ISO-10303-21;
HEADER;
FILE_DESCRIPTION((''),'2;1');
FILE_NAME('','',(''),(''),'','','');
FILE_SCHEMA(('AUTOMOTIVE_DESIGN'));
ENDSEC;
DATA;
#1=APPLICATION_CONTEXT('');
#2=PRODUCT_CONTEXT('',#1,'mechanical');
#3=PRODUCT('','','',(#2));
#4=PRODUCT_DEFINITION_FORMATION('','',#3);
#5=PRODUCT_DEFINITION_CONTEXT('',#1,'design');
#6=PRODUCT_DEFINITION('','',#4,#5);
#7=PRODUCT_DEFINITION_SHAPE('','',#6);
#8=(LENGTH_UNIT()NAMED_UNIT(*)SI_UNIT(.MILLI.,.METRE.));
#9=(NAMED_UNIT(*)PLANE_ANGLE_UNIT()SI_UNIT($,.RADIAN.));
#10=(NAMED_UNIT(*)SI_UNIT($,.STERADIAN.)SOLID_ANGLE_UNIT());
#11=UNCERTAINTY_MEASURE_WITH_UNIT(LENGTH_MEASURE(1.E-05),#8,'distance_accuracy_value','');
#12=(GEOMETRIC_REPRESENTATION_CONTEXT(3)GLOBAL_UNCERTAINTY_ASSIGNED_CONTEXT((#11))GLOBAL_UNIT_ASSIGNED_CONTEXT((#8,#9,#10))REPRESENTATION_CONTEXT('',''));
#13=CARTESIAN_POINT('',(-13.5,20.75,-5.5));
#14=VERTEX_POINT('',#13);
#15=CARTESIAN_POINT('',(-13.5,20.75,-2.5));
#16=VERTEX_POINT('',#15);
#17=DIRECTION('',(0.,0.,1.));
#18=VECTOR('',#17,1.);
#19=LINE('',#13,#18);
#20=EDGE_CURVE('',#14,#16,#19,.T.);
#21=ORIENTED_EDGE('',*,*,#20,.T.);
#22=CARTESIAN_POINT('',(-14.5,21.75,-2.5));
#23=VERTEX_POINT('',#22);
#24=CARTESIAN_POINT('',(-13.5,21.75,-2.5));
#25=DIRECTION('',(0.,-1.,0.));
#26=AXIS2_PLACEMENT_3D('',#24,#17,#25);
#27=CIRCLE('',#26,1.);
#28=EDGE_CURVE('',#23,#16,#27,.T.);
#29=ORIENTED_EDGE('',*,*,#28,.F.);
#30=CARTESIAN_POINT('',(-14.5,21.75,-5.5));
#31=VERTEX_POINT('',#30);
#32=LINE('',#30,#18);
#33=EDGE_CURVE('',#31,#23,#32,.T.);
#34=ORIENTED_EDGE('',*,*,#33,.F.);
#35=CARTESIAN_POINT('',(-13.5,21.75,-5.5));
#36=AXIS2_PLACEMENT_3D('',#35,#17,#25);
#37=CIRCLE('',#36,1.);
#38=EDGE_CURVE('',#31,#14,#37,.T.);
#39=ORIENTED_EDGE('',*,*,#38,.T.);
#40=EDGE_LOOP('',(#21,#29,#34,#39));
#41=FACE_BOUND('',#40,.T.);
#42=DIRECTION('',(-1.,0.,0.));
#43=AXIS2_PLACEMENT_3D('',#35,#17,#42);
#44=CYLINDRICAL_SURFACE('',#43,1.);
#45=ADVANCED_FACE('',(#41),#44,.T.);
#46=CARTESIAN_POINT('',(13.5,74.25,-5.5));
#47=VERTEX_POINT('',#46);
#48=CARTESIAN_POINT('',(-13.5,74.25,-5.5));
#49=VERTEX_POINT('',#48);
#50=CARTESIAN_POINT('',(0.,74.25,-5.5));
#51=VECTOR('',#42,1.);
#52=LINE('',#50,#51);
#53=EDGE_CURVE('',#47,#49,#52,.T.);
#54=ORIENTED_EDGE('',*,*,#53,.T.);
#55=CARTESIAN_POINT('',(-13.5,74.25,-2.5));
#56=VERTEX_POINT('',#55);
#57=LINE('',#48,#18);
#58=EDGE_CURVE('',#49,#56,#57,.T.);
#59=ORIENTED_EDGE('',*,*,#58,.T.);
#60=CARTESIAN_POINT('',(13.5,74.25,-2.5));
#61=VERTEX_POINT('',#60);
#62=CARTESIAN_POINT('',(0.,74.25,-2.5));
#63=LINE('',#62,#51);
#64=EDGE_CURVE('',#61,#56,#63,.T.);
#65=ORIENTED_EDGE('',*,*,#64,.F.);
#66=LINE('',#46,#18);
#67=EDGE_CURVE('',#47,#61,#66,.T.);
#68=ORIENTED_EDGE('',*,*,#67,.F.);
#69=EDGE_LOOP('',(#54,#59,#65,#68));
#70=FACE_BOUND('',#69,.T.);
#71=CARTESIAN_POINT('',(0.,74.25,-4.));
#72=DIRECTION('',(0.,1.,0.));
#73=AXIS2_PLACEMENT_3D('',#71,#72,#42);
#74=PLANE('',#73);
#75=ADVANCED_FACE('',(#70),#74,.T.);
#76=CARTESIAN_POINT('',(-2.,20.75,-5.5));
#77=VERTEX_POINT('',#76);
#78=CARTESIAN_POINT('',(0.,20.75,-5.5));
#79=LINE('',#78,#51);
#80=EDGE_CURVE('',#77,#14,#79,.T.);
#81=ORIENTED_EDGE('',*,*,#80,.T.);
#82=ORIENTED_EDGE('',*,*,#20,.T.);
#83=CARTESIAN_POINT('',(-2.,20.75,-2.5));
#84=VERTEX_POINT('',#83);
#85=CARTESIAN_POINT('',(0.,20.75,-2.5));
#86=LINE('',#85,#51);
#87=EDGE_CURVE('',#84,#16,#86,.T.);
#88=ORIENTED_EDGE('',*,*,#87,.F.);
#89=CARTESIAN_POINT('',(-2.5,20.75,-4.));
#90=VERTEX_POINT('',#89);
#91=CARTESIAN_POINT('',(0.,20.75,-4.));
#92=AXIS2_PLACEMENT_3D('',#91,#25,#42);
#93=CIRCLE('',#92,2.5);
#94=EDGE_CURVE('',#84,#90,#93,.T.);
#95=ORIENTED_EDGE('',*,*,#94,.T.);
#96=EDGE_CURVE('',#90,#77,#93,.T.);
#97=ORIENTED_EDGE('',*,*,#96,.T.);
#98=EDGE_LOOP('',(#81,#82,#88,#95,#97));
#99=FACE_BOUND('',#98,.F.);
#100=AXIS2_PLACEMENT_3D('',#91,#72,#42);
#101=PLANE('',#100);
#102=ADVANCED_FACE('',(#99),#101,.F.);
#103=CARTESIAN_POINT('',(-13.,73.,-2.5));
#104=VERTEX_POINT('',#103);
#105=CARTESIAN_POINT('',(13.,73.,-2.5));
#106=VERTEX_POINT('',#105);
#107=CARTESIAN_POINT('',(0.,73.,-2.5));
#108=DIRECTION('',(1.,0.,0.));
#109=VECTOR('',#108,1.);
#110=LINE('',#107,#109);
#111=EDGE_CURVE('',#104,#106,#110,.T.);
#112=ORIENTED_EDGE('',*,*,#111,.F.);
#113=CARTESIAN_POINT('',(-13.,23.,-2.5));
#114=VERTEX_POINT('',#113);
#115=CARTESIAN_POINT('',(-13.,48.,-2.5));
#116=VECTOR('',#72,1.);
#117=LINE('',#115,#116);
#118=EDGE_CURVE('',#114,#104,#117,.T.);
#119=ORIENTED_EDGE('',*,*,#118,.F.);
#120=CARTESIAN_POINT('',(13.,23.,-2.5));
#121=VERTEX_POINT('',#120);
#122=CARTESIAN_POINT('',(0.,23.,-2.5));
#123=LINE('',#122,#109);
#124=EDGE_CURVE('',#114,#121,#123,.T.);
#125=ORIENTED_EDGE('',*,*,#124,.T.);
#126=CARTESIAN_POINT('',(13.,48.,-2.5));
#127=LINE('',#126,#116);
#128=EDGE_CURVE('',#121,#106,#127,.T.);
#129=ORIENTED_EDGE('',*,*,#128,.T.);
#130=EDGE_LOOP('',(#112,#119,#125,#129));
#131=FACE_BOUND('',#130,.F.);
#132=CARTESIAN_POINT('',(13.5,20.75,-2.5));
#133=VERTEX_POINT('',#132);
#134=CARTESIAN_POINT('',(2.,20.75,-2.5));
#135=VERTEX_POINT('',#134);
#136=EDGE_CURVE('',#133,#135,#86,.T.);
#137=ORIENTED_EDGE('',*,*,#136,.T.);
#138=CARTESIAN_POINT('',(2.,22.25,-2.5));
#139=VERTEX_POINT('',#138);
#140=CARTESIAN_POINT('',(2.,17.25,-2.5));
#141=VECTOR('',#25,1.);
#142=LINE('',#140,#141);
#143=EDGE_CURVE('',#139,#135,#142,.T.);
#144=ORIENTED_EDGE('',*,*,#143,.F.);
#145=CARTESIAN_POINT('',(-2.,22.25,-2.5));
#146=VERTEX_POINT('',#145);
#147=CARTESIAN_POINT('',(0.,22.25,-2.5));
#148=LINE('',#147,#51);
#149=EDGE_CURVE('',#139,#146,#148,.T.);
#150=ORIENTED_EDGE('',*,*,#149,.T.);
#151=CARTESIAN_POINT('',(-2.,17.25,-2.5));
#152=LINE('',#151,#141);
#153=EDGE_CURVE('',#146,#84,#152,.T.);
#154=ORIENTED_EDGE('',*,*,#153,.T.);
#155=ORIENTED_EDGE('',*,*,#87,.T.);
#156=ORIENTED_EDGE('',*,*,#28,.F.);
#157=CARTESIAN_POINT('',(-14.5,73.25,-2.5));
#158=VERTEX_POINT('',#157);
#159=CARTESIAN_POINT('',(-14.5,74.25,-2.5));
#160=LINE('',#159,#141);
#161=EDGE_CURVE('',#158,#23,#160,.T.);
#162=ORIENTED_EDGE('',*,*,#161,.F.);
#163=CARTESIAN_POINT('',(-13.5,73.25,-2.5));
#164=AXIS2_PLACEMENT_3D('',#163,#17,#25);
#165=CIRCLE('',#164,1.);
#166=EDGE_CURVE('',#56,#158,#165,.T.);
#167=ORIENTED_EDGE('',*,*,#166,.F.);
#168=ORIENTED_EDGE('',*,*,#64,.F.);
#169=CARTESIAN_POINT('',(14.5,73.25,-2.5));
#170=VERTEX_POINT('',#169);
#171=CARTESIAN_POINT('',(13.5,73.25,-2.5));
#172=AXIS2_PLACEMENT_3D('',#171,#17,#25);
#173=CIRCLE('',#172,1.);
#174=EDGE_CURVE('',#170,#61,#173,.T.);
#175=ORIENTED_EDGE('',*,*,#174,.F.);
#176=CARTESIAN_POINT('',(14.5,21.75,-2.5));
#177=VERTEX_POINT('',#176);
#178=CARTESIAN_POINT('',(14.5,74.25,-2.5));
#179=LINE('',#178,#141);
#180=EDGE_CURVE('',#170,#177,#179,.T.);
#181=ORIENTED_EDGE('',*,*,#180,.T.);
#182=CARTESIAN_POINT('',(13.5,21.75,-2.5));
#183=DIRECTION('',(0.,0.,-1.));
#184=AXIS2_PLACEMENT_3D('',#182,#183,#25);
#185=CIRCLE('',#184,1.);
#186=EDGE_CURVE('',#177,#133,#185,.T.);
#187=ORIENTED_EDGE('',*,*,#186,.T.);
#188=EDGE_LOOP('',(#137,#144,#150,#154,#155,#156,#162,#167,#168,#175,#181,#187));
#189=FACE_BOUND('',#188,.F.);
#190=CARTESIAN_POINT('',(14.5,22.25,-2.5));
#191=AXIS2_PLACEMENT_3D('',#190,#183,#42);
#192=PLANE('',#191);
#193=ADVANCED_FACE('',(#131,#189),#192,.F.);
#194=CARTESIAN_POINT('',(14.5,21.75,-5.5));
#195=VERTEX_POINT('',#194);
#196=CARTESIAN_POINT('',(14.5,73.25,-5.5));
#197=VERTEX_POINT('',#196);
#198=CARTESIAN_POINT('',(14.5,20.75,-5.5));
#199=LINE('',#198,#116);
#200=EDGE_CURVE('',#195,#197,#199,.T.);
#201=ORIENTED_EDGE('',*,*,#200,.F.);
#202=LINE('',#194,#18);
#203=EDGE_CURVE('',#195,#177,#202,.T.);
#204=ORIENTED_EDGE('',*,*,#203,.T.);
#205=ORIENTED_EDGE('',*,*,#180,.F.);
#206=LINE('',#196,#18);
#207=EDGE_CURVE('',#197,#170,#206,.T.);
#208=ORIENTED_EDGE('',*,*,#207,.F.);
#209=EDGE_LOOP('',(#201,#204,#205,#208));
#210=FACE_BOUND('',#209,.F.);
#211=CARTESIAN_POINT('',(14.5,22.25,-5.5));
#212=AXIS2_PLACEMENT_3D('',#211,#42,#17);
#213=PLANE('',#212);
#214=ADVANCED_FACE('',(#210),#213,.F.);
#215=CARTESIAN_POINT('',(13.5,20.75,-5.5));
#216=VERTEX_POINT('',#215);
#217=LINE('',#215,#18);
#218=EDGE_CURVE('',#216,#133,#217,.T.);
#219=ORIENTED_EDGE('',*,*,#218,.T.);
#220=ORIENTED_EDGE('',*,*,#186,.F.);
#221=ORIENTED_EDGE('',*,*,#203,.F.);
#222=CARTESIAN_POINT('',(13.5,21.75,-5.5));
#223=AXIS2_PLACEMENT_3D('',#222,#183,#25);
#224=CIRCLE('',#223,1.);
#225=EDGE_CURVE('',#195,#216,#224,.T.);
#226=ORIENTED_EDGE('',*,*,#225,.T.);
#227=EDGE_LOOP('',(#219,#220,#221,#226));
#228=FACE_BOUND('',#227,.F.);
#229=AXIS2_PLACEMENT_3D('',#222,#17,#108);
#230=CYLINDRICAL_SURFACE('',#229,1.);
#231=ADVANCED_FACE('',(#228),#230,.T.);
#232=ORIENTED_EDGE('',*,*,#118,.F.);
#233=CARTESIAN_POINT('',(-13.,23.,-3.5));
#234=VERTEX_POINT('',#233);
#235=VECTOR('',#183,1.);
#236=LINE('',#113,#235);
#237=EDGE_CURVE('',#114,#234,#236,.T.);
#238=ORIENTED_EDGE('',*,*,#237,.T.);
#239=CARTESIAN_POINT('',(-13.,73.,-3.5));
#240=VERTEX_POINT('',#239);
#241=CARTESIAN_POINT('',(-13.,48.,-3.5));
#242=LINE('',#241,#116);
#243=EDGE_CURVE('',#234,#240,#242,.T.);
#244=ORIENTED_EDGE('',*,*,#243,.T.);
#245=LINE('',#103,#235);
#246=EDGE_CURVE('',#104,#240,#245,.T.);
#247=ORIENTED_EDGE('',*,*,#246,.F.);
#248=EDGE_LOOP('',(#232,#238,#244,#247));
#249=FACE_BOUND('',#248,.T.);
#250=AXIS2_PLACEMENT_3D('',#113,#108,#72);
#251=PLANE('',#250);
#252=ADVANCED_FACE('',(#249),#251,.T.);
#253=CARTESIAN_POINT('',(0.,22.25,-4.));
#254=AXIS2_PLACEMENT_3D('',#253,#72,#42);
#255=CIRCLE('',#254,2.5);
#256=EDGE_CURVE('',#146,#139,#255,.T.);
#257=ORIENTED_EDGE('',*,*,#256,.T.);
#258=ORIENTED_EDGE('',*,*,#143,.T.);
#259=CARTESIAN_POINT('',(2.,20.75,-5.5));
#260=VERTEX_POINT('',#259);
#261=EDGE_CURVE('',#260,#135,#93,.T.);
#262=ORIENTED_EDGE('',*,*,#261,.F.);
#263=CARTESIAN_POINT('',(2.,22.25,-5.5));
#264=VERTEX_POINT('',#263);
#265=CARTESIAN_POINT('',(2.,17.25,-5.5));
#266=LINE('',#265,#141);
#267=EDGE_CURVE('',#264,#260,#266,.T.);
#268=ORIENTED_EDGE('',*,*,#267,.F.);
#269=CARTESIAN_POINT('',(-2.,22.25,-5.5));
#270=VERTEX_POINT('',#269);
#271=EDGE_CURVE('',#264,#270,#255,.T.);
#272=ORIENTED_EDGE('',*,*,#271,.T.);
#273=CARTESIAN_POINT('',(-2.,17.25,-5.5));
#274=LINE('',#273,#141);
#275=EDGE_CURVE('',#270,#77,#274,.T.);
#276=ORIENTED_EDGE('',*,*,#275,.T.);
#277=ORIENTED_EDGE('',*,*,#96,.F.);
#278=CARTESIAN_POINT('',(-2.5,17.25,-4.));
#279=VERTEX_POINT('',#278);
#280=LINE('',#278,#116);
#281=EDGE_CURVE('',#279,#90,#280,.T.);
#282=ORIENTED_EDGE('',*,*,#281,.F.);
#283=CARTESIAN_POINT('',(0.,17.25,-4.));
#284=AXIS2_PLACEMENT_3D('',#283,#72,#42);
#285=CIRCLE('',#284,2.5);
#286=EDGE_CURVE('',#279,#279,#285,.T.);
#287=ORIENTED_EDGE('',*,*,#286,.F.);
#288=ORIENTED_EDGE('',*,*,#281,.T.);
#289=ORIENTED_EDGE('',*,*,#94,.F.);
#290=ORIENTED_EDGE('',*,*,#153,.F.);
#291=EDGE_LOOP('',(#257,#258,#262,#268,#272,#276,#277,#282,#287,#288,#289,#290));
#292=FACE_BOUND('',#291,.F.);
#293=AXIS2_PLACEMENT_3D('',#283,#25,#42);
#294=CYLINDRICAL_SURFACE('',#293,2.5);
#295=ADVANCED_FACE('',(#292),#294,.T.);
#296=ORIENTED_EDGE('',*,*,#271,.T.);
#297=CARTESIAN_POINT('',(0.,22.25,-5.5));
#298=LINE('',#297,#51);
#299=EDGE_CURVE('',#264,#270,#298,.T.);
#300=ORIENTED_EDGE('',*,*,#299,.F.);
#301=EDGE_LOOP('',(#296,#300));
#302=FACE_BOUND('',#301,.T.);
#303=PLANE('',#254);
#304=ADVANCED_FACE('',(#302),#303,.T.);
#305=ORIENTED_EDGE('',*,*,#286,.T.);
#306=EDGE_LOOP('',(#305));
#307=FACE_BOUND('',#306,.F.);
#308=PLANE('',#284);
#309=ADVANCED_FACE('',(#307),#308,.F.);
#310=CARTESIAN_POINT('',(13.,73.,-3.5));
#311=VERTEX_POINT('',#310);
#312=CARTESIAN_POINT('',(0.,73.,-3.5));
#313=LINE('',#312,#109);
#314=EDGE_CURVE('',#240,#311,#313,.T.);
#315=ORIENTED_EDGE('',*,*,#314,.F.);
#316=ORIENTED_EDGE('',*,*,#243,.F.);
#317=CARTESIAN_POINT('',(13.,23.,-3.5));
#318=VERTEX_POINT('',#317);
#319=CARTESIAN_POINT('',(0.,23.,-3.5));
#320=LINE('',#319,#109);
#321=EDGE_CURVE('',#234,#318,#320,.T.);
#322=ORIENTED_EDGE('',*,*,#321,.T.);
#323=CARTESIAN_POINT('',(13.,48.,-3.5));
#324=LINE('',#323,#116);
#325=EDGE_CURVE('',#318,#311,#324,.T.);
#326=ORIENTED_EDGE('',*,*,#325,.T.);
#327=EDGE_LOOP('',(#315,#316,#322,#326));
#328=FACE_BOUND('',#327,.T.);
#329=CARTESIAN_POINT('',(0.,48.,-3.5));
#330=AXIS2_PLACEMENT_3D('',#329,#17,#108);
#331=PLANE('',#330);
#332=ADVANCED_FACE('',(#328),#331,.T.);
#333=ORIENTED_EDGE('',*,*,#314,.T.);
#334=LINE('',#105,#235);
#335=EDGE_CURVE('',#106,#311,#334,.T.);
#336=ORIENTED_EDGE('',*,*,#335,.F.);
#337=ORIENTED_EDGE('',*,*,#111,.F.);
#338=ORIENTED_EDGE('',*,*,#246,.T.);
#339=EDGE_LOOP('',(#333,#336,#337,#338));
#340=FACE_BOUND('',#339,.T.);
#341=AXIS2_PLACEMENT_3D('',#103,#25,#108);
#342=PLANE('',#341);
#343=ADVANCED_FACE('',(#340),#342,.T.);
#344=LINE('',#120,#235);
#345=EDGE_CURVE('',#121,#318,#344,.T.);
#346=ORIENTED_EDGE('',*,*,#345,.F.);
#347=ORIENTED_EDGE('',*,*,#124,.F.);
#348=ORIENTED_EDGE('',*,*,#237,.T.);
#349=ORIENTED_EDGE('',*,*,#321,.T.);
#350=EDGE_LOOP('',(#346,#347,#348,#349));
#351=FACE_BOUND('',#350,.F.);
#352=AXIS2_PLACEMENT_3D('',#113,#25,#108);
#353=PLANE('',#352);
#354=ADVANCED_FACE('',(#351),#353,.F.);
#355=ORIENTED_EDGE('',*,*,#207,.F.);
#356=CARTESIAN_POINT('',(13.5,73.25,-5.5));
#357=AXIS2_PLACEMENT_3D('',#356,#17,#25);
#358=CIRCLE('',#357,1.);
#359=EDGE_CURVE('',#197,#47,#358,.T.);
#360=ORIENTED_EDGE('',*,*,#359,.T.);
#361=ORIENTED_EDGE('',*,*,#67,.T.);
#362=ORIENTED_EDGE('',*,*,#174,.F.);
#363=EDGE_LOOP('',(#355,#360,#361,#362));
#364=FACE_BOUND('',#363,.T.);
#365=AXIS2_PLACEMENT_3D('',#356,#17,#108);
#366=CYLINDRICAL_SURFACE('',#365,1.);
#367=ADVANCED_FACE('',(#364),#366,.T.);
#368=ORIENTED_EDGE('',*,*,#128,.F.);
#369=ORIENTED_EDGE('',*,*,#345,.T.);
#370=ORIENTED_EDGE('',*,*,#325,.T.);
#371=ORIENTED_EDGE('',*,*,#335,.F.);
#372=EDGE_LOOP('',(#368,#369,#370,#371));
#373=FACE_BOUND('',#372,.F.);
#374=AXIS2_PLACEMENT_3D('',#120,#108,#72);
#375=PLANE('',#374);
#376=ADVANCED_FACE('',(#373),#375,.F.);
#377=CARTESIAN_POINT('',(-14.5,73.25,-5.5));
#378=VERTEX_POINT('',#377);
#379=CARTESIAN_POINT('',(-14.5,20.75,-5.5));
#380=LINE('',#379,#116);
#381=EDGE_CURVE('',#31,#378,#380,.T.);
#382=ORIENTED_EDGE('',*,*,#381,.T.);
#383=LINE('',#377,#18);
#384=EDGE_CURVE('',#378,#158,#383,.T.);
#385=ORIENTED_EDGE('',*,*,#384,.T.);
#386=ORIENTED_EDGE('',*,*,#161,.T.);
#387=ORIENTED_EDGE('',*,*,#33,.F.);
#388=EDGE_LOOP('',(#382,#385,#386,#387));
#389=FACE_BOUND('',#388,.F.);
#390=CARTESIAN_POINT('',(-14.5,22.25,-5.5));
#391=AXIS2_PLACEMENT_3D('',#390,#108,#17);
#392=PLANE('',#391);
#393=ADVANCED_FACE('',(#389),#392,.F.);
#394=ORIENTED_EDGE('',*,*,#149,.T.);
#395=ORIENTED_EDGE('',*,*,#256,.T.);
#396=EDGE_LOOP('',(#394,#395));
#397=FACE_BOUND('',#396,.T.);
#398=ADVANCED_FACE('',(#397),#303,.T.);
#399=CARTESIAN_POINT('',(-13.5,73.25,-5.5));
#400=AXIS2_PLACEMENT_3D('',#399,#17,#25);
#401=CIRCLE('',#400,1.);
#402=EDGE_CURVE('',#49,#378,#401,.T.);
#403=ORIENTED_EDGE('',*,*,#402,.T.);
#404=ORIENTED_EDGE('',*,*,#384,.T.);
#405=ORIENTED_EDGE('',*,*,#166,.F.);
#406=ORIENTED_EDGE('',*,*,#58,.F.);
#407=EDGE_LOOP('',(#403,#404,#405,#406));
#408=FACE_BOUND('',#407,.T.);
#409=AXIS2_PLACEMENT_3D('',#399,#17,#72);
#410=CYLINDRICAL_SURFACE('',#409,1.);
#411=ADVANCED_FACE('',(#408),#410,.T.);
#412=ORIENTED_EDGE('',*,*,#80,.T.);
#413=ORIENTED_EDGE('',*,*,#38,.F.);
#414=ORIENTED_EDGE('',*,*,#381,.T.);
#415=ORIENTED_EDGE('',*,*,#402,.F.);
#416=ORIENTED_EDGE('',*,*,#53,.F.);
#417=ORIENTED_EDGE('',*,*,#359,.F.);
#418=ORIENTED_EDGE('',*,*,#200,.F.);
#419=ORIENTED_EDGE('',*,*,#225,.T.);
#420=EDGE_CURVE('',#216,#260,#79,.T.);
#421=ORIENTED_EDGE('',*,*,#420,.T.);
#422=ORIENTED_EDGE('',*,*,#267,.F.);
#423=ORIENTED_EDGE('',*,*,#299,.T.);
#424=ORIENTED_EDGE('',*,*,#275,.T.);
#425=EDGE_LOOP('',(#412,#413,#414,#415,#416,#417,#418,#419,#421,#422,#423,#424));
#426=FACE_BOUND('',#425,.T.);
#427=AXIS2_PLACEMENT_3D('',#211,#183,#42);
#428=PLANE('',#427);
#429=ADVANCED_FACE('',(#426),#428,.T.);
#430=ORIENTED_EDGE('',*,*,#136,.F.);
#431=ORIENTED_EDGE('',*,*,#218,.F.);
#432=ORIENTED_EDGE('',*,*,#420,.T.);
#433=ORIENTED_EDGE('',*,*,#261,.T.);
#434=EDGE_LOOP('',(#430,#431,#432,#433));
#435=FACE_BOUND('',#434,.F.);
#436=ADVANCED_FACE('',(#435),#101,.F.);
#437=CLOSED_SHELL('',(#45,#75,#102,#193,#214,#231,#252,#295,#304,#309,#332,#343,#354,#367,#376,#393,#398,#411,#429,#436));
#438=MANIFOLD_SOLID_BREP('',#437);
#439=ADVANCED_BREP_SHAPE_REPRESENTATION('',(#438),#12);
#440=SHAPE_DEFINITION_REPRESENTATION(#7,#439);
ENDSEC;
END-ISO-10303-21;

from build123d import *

# Parameters (mm, degrees)
SKETCH007_R       = 2.5
PAD006_DEPTH      = 5
SKETCH008_W       = 29
SKETCH008_H       = 3
PAD007_DEPTH      = 52
PAD007_DEPTH_BACK = 1.5
FILLET_R          = 1
SKETCH010_W       = 26
SKETCH010_H       = 50
POCKET001_DEPTH   = 1


with BuildPart() as part:
    # Sketch007 (on Face1 of CopyPad001) → Pad006 (new body)
    with BuildSketch(Plane(origin=(0, 17.25, 0), x_dir=(-1, 0, 0), z_dir=(0, 1, 0))):
        with Locations((0, -4)):
            Circle(SKETCH007_R)
    extrude(amount=PAD006_DEPTH)

    # Sketch008 (on Face3 of Pad006) → Pad007 (join, two sides)
    with BuildSketch(Plane(origin=(0, 22.25, 0), x_dir=(-1, 0, 0), z_dir=(0, 1, 0))) as pad007_sk:
        with Locations((0, -4)):
            Rectangle(SKETCH008_W, SKETCH008_H)
    extrude(amount=PAD007_DEPTH)
    extrude(pad007_sk.sketch, amount=-PAD007_DEPTH_BACK)

    # Fillet
    fillet_edges = [part.edges().sort_by_distance(p)[0] for p in [
        (14.5, 74.25, -4),
        (14.5, 20.75, -4),
        (-14.5, 74.25, -4),
        (-14.5, 20.75, -4),
    ]]
    fillet(fillet_edges, radius=FILLET_R)

    # Sketch010 (on Face5 of Fillet) → Pocket001 (cut)
    with BuildSketch(Plane.XY.offset(-2.5)):
        with Locations((0, 48)):
            Rectangle(SKETCH010_W, SKETCH010_H)
    extrude(amount=-POCKET001_DEPTH, mode=Mode.SUBTRACT)


solid = part.part
